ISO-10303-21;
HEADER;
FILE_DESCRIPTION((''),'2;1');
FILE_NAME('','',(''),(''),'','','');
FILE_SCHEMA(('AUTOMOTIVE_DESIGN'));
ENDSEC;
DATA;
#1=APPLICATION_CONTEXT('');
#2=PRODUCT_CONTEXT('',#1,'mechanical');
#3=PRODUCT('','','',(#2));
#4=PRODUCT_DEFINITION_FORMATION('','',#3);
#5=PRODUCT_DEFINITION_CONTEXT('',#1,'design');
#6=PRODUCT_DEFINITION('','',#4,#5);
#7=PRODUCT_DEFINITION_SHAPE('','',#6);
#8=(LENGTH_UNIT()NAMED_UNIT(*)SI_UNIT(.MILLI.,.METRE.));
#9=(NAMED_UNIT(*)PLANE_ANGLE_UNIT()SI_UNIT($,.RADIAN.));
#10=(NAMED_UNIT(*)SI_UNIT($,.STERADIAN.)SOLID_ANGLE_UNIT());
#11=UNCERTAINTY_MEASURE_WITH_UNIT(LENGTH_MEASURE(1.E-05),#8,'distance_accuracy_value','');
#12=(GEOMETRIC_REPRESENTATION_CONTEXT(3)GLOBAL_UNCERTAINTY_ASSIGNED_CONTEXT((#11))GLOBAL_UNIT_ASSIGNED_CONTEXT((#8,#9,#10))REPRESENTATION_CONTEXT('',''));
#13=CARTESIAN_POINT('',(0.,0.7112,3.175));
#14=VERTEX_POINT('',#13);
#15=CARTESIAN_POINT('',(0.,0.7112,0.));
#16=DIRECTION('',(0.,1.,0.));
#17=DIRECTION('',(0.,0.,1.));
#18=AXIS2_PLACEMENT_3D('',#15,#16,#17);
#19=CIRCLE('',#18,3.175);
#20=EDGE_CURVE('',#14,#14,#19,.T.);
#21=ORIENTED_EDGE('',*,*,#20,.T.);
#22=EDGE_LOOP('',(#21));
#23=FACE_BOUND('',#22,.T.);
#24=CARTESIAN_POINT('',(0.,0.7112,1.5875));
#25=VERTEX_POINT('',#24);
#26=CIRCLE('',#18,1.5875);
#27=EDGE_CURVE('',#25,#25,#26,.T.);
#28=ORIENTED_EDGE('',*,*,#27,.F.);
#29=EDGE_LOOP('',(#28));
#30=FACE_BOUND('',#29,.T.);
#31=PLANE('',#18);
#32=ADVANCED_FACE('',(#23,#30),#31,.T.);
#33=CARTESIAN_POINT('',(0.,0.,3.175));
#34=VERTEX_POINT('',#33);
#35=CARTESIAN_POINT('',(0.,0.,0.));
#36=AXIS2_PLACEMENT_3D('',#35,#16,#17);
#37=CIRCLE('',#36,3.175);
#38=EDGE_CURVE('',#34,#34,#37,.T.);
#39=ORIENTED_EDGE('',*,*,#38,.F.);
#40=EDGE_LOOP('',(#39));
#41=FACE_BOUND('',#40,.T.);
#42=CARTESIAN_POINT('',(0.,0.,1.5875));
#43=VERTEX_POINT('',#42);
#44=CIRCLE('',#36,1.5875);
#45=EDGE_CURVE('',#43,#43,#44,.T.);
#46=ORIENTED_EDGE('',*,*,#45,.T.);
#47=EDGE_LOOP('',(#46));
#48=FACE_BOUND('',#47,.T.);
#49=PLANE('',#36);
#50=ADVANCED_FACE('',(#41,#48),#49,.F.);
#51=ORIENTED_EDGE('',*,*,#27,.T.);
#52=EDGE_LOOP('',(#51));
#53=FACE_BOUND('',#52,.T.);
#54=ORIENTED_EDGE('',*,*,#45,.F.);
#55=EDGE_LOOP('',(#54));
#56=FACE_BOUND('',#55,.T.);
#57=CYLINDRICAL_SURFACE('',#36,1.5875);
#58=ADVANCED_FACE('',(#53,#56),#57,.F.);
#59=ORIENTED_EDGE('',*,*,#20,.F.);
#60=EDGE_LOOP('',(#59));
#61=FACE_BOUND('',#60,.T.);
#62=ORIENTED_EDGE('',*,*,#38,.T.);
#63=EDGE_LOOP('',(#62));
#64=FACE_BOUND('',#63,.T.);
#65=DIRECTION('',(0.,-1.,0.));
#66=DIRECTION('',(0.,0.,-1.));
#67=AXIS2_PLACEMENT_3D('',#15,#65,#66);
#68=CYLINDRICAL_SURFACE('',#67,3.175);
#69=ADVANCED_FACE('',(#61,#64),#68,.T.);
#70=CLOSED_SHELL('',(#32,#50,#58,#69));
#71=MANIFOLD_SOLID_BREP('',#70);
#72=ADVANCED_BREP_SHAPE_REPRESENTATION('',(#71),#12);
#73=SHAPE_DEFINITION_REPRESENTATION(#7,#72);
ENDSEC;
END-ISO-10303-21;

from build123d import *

# Parameters (mm, degrees)
SKETCH1_R           = 3.175
BOSS_EXTRUDE1_DEPTH = 0.7112
SKETCH5_R           = 1.5875
CUT_EXTRUDE1_DEPTH  = 1.7112


with BuildPart() as part:
    # Sketch1 → Boss-Extrude1 (new body)
    with BuildSketch(Plane(origin=(0, 0, 0), x_dir=(1, 0, 0), z_dir=(0, 1, 0))):
        Circle(SKETCH1_R)
    extrude(amount=BOSS_EXTRUDE1_DEPTH)

    # Sketch5 → Cut-Extrude1 (cut, through all)
    with BuildSketch(Plane(origin=(0, 0.7112, 0), x_dir=(-1, 0, 0), z_dir=(0, 1, 0))):
        Circle(SKETCH5_R)
    extrude(amount=-CUT_EXTRUDE1_DEPTH, mode=Mode.SUBTRACT)


solid = part.part
